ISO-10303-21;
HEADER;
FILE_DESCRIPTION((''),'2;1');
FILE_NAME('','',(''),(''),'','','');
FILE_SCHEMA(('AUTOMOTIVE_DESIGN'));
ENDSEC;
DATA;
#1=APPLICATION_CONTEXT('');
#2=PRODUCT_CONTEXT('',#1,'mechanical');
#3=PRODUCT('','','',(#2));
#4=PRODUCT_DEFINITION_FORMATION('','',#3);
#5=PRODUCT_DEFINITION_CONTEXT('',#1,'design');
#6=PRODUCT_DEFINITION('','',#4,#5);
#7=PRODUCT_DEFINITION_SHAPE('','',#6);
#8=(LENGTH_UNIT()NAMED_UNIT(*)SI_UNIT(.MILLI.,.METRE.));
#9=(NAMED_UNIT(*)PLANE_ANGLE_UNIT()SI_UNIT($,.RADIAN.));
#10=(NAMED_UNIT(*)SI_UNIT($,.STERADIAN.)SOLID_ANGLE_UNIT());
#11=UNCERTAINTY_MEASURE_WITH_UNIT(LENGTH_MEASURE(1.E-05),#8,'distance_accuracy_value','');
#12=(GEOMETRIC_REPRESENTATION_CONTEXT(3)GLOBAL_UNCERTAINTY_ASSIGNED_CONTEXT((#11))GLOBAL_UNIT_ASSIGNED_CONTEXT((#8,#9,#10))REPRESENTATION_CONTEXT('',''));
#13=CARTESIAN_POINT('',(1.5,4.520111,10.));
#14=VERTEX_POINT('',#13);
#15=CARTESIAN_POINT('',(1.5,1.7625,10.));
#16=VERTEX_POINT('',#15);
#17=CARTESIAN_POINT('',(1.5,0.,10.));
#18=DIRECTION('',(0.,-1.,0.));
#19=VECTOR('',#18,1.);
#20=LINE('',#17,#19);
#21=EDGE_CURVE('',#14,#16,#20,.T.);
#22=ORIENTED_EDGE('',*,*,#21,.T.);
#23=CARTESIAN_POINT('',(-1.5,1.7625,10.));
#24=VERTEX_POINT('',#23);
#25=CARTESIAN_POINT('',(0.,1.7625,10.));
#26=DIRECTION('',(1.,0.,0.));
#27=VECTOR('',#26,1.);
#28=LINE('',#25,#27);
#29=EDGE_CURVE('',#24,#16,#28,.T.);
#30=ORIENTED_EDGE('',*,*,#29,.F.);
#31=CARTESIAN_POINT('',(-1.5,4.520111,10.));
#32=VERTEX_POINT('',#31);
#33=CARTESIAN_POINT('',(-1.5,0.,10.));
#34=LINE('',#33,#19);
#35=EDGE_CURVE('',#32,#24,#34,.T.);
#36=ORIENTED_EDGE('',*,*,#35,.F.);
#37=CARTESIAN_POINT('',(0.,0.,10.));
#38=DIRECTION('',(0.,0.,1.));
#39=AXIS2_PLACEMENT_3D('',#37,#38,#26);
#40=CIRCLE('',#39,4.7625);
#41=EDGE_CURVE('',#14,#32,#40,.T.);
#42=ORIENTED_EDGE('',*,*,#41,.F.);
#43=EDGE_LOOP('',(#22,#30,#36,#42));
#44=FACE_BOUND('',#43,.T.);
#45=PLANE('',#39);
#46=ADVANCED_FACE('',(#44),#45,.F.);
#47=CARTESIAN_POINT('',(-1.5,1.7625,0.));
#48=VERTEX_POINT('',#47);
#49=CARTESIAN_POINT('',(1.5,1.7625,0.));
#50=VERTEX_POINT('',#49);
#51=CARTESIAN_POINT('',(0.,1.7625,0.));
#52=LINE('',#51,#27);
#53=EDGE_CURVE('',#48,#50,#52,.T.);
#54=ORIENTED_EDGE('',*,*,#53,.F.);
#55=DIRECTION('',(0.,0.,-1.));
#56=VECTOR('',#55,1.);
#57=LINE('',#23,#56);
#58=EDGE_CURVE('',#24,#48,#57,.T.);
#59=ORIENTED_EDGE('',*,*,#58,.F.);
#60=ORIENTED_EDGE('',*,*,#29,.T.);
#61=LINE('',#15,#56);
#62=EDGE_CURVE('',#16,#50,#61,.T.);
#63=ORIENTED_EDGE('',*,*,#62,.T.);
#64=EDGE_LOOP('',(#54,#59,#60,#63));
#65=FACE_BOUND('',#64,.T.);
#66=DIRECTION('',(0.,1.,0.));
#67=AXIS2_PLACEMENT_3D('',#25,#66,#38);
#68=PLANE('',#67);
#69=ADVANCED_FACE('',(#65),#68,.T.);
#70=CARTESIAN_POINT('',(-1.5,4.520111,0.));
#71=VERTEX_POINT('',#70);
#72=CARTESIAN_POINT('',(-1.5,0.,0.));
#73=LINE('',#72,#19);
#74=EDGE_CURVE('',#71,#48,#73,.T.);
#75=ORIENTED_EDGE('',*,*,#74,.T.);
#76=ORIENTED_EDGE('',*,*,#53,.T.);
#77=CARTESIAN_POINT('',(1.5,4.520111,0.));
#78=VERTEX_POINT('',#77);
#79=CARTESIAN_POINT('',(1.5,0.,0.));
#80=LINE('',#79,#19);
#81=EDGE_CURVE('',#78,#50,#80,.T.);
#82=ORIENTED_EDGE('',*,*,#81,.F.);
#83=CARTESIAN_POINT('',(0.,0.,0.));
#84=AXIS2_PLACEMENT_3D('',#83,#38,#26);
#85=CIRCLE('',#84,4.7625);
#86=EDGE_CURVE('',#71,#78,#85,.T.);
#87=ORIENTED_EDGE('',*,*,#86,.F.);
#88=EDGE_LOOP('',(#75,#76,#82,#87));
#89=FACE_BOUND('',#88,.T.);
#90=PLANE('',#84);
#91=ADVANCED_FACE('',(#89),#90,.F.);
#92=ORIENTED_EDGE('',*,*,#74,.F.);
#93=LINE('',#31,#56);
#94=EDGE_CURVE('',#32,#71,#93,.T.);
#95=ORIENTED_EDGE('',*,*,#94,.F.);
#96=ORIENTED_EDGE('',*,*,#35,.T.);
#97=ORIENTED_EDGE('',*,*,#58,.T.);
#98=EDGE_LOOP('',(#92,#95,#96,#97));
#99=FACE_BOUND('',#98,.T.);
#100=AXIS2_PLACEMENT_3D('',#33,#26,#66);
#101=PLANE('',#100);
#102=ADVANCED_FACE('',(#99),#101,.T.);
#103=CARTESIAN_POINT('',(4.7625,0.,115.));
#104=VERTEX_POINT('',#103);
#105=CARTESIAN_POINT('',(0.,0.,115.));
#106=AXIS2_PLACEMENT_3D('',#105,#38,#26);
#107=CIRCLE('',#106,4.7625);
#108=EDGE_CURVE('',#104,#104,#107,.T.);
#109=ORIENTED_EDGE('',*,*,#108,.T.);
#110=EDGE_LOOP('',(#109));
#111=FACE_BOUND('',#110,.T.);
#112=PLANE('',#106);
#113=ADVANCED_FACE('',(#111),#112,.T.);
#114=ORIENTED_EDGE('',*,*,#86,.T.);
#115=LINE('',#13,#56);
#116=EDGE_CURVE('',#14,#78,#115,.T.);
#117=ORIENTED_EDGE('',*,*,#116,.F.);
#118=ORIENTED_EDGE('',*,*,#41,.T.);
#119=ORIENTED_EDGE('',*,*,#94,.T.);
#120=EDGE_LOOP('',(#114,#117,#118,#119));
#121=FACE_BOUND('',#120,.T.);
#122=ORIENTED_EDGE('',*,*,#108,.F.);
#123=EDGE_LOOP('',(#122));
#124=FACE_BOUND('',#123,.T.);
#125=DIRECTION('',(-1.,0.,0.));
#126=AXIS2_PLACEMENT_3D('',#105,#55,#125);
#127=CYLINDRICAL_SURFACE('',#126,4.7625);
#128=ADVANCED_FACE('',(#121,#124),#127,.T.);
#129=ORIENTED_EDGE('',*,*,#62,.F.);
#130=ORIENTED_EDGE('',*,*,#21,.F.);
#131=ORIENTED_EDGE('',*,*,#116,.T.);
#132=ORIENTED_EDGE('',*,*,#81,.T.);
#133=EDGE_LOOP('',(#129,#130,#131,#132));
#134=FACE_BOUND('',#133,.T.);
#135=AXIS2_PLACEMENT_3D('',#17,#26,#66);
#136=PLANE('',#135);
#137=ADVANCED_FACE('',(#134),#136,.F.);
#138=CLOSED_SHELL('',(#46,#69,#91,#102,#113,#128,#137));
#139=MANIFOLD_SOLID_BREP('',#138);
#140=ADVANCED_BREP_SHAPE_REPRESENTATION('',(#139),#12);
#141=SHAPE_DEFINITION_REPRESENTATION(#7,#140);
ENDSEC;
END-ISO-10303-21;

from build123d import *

# Parameters (mm, degrees)
SKETCH1_R           = 4.7625
BOSS_EXTRUDE1_DEPTH = 115
CUT_EXTRUDE1_DEPTH  = 10


with BuildPart() as part:
    # Sketch1 → Boss-Extrude1 (new body)
    with BuildSketch(Plane.XY):
        Circle(SKETCH1_R)
    extrude(amount=BOSS_EXTRUDE1_DEPTH)

    # Sketch1<3> → Cut-Extrude1 (cut)
    with BuildSketch(Plane.XY):
        with BuildLine():
            ThreePointArc((1.5, 4.520111309), (0, 4.7625), (-1.5, 4.520111309))
            Line((-1.5, 4.520111309), (-1.5, 1.7625))
            Line((-1.5, 1.7625), (1.5, 1.7625))
            Line((1.5, 1.7625), (1.5, 4.520111309))
        make_face()
    extrude(amount=CUT_EXTRUDE1_DEPTH, mode=Mode.SUBTRACT)


solid = part.part
